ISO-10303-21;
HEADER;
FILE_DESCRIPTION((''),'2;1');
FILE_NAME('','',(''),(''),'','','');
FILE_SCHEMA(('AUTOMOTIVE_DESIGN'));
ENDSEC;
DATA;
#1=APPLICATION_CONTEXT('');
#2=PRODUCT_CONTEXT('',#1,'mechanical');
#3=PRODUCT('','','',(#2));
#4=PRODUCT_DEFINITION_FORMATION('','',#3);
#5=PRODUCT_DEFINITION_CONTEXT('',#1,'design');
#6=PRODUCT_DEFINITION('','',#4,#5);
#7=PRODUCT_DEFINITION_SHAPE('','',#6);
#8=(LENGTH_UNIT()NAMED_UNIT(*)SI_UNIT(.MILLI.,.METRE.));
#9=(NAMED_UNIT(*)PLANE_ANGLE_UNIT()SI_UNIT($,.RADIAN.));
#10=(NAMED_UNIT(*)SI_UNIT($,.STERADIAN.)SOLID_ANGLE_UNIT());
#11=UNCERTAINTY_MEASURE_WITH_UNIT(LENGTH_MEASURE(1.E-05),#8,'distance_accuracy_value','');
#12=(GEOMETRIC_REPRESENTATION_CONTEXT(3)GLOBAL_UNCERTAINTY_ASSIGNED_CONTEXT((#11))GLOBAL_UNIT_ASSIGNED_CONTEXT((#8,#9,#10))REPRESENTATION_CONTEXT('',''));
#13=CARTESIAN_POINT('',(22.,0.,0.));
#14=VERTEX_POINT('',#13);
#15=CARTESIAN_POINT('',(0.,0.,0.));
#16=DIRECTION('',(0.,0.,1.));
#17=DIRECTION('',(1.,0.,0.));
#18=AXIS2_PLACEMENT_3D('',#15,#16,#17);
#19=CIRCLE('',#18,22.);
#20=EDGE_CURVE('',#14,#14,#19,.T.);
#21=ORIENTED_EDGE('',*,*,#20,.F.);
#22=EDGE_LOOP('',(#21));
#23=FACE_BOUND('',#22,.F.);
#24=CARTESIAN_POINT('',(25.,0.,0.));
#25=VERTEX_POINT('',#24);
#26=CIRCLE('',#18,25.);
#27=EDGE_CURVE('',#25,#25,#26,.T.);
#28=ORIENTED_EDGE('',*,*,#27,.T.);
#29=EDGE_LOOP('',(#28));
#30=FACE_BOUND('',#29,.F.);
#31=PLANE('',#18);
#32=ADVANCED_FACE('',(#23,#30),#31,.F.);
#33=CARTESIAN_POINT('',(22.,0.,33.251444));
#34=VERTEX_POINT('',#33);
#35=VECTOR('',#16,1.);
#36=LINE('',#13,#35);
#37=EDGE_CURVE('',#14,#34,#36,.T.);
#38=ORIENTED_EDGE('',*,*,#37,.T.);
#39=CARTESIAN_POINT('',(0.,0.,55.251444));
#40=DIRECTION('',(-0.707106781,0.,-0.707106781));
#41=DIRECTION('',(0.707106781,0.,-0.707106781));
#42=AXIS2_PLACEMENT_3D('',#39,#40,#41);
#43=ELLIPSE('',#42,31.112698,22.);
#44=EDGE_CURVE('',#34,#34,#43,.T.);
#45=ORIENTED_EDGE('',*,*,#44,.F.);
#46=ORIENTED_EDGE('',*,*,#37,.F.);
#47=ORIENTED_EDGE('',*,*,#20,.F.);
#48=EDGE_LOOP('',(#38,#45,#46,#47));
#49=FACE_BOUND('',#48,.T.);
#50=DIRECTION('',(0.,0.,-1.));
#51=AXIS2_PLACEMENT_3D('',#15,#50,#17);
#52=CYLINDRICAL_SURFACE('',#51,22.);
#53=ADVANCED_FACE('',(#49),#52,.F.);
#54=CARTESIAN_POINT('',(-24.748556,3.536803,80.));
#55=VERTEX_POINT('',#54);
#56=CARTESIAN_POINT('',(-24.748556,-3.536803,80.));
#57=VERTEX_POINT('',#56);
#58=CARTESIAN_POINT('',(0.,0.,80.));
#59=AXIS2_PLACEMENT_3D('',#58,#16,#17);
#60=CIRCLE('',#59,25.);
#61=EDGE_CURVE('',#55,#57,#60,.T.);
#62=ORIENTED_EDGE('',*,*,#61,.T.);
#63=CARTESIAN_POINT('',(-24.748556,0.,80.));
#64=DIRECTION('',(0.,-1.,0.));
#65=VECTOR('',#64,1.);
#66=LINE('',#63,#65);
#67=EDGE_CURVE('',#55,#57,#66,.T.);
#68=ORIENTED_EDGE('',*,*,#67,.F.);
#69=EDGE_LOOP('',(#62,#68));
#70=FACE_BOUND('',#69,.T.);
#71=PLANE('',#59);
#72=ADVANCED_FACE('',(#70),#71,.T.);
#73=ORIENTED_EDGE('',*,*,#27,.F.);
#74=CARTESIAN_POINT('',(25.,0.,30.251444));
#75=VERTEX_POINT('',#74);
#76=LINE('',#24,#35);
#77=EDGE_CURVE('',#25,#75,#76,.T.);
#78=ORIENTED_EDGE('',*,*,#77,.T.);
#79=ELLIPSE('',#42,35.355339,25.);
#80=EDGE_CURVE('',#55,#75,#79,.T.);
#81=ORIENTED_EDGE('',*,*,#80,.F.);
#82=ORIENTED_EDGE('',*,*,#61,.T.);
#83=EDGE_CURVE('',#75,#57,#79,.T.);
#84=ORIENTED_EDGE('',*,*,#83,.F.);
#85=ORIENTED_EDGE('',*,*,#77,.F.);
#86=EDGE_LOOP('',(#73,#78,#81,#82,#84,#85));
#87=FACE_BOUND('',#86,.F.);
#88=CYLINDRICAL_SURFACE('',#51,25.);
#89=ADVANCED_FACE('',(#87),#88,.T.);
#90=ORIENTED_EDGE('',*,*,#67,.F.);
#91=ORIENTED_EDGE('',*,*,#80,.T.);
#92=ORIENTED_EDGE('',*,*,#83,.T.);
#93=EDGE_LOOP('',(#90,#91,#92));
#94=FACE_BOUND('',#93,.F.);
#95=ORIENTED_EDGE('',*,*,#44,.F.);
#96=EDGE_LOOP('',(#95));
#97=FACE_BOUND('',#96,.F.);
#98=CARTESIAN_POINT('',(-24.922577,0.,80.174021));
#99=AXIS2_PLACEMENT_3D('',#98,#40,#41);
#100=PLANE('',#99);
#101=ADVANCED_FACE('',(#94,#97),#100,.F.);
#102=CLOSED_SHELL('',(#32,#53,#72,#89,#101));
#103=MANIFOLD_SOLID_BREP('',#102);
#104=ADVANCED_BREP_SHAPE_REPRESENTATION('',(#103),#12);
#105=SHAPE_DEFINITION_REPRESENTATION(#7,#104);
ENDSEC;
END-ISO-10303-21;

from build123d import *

# Parameters (mm, degrees)
F0_R     = 25
F0_R_2   = 22
F1_DEPTH = 80
F3_DEPTH = 40


with BuildPart() as f1:
    # F0 (on Top) → F1 (new body)
    with BuildSketch(Plane.XY):
        Circle(F0_R)
        Circle(F0_R_2, mode=Mode.SUBTRACT)
    extrude(amount=F1_DEPTH)

    # F2 (on Front) → F3 (cut, symmetric)
    with BuildSketch(Plane.XZ):
        Polygon((25.077423, 80.174021), (-24.922577, 80.174021), (25.077423, 30.174021), align=None)
    extrude(amount=F3_DEPTH, both=True, mode=Mode.SUBTRACT)


solid = f1.part
